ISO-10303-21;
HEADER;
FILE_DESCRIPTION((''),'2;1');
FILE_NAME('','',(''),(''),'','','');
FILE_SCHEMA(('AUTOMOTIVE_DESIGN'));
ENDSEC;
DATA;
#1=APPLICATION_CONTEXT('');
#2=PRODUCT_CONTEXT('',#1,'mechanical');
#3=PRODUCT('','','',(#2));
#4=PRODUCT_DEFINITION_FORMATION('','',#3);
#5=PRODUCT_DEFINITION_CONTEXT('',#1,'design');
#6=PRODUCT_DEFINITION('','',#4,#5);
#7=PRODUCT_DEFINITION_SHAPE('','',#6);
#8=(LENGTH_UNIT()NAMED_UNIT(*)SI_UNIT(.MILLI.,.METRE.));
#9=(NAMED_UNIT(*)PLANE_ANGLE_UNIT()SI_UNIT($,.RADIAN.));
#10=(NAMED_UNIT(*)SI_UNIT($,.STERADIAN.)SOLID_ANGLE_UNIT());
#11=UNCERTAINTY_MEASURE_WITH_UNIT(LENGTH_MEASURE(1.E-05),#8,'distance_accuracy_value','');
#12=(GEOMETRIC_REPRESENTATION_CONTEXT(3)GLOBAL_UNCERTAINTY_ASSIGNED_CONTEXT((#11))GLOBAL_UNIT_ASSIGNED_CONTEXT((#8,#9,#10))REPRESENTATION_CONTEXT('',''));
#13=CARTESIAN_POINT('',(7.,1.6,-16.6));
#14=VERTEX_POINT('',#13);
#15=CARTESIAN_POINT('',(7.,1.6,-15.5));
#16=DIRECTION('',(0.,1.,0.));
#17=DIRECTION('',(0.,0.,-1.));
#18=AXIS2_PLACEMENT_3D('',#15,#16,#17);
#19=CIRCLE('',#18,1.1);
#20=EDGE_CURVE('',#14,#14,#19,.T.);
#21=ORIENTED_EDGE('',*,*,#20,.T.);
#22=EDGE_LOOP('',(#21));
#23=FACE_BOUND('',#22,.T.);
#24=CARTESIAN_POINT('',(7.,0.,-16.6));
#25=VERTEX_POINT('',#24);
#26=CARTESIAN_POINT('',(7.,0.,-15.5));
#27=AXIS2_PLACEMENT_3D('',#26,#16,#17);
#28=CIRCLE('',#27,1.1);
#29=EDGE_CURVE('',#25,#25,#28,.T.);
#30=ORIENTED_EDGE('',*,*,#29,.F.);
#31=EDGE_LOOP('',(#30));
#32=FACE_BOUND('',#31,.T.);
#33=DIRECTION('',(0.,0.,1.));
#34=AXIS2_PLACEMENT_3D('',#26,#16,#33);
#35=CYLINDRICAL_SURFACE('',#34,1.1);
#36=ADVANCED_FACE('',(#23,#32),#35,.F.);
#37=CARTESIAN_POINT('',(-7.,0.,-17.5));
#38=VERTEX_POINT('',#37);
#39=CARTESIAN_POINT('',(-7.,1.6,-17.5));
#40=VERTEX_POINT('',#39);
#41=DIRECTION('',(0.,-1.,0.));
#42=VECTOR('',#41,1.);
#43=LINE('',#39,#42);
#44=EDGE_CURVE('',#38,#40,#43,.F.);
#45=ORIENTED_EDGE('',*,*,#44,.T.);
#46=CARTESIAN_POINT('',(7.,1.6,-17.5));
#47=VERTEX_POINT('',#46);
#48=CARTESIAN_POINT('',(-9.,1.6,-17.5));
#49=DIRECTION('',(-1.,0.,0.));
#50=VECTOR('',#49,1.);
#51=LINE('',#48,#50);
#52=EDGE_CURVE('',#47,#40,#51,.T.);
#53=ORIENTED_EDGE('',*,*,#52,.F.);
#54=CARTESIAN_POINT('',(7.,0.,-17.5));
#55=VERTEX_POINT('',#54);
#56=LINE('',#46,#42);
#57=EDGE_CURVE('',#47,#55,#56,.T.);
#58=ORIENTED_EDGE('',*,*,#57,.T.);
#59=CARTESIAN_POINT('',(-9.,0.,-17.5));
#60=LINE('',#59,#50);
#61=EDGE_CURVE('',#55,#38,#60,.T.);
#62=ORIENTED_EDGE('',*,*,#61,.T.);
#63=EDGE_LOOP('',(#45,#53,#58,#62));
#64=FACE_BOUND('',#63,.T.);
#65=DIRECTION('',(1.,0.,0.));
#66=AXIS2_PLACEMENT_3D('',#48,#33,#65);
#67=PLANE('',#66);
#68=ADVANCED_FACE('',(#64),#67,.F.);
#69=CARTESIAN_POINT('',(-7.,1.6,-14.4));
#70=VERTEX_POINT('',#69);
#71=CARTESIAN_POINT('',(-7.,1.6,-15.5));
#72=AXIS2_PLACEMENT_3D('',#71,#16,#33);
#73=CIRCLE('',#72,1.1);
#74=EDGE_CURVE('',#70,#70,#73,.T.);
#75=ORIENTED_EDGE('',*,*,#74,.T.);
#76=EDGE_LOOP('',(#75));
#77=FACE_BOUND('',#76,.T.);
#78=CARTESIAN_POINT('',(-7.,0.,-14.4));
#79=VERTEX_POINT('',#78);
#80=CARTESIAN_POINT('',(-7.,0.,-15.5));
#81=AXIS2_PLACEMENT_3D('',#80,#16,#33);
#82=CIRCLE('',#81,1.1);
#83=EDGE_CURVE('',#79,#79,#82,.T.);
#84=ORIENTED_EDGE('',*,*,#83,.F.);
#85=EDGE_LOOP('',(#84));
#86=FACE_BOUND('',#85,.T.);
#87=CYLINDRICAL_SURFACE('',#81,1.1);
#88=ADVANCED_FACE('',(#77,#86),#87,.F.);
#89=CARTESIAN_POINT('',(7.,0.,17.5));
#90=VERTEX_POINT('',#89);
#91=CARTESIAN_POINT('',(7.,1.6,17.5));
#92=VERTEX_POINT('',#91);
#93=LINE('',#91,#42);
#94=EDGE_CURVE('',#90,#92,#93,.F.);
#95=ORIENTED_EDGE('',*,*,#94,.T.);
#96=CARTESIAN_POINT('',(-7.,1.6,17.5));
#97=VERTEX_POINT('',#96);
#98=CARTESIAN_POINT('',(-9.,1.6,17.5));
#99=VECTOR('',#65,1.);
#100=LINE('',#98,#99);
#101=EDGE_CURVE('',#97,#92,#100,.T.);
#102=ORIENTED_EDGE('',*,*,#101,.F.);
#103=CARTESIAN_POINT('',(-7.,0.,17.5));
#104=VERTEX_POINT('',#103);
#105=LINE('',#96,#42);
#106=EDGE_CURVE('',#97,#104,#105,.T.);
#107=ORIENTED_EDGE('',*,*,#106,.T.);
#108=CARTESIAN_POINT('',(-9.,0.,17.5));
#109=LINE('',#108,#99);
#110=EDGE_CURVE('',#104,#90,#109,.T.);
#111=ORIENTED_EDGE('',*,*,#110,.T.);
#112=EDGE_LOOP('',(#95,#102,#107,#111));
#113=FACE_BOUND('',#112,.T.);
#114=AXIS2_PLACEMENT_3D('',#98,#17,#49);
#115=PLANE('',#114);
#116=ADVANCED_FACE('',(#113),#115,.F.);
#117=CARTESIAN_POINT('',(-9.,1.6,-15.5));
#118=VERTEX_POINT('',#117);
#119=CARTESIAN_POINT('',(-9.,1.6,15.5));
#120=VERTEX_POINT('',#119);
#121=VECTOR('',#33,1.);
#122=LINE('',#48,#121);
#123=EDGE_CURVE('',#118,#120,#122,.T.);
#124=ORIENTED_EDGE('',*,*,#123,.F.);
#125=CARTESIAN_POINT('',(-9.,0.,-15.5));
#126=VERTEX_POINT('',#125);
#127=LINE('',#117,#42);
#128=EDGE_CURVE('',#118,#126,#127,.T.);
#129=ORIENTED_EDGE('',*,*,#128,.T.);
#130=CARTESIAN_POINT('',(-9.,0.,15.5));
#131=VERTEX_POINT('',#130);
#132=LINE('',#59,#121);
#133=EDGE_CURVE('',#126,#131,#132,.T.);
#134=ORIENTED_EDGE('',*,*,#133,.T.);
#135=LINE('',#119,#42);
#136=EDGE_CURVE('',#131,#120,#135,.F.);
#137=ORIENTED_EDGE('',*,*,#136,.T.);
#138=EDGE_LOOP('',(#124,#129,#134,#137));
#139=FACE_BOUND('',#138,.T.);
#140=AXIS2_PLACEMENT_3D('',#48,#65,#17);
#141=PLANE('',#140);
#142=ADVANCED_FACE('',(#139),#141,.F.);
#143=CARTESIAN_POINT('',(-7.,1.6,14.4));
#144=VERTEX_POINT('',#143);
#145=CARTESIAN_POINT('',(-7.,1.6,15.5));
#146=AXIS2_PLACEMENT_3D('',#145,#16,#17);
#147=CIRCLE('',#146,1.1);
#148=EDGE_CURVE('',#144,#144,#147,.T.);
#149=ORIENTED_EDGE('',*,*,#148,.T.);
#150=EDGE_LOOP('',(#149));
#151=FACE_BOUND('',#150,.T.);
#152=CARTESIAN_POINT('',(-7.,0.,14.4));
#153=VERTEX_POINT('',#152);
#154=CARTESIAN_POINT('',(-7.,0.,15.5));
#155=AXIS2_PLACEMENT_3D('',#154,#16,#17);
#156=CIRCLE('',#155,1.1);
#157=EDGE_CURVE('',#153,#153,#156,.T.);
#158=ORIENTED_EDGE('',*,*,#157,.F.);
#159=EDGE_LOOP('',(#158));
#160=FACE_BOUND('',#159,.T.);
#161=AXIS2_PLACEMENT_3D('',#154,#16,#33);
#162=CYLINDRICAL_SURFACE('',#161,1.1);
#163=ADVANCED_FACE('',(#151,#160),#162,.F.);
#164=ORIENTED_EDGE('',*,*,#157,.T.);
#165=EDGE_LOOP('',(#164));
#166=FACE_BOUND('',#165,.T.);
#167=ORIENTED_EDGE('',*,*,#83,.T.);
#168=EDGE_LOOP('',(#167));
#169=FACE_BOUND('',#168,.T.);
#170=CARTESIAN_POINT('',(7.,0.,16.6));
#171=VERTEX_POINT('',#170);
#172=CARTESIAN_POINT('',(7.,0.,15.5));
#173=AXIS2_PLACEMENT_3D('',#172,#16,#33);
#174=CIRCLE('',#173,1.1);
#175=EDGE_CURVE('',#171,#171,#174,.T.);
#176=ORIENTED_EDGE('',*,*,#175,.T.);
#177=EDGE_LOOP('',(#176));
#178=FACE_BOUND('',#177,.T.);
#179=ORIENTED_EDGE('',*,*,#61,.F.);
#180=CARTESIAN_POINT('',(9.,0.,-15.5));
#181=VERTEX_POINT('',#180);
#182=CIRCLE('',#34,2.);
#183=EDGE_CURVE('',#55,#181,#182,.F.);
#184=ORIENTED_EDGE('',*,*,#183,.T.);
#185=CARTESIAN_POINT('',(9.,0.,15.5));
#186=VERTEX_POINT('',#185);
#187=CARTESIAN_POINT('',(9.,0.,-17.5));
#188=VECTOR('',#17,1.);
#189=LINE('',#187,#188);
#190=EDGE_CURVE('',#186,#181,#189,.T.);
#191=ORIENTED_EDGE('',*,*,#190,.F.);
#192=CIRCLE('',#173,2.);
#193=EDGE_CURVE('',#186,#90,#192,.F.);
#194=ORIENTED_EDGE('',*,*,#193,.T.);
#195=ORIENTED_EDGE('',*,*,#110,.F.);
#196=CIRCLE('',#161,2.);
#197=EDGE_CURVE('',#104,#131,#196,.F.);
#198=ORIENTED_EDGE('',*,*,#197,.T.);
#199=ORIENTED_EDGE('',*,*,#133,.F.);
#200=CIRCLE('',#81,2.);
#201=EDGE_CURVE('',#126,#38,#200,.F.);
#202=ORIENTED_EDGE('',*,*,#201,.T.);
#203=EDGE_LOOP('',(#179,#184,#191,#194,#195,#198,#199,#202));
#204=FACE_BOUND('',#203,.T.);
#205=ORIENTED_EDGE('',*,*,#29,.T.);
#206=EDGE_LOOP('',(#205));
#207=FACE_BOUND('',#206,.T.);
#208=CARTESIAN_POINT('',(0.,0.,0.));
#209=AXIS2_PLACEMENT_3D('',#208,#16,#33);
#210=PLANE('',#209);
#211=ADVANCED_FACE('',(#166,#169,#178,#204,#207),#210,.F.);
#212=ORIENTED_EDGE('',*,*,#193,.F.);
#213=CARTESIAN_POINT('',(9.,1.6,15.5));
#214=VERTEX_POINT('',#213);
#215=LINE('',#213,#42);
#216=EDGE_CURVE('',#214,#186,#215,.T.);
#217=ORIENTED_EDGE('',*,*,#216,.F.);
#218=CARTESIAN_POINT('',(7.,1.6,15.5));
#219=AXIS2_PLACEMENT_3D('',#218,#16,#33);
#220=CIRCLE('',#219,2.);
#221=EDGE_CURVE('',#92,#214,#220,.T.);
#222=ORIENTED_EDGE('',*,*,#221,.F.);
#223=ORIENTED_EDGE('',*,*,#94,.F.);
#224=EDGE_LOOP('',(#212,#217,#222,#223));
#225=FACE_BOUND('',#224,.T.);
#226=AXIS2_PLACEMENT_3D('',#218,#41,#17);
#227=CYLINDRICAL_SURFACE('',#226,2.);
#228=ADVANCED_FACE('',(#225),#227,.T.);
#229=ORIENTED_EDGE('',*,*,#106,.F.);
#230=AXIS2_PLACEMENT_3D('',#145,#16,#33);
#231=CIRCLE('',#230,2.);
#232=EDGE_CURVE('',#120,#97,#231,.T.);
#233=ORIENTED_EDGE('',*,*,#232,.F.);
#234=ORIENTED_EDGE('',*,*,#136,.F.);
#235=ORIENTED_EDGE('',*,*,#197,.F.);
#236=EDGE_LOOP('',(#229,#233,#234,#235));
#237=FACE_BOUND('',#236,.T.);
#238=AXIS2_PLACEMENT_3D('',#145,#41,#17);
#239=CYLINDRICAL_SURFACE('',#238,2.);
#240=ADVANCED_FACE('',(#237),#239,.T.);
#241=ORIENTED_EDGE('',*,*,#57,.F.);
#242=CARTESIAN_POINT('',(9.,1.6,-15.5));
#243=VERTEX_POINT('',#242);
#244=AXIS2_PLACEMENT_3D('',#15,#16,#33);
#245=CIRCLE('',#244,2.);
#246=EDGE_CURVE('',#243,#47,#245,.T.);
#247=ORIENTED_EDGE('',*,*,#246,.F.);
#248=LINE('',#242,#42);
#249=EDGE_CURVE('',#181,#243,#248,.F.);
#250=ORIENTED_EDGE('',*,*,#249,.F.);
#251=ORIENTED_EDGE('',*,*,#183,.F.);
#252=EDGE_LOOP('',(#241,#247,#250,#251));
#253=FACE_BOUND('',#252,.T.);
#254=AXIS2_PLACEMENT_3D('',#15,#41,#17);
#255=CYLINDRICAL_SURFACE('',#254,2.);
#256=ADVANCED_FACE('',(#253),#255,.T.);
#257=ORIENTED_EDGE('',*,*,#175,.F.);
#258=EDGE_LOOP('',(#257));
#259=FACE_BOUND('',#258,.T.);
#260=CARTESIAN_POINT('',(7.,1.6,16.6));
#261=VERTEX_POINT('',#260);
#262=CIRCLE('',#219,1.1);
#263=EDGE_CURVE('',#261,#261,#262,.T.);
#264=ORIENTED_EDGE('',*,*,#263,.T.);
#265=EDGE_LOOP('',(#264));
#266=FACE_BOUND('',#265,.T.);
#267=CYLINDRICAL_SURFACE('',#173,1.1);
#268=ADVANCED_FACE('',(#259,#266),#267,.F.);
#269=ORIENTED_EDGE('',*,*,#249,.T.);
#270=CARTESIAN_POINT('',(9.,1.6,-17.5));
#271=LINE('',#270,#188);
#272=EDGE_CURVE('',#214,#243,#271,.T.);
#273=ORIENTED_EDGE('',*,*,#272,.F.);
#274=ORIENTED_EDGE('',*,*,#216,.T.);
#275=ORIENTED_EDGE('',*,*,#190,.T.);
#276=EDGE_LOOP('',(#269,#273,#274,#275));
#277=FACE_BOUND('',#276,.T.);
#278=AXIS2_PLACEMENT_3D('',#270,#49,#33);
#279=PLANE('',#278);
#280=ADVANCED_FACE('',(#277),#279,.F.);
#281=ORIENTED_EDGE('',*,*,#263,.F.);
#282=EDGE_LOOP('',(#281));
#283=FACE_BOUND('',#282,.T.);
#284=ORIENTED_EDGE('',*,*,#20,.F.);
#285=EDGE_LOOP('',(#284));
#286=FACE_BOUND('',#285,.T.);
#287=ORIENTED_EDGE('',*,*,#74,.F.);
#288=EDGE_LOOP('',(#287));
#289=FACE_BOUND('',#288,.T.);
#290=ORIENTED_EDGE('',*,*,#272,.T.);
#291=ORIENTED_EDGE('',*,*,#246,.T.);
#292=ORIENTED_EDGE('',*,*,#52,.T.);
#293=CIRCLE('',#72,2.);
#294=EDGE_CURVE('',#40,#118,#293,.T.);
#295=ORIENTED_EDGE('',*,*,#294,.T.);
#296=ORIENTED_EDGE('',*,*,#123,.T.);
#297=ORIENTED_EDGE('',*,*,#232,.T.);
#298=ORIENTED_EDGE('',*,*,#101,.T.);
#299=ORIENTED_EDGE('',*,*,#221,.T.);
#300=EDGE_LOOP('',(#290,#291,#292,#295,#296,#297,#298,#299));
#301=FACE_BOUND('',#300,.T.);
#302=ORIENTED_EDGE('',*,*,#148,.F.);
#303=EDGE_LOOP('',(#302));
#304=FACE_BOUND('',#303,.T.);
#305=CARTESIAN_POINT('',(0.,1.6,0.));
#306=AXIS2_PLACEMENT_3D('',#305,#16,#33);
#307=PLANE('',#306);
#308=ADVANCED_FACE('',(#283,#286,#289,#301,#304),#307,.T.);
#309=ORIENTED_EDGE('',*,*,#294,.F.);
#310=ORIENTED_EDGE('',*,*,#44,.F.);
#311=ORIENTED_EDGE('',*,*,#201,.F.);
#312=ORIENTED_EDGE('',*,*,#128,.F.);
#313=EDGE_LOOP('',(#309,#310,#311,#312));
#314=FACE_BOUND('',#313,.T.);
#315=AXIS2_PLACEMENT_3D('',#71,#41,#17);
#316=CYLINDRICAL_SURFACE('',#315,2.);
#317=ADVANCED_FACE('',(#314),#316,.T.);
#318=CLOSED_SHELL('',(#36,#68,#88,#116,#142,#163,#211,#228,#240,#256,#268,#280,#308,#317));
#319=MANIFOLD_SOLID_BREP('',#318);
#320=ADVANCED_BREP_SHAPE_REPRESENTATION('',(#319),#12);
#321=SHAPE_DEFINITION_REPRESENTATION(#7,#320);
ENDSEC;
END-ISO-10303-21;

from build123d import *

# Parameters (mm, degrees)
SKETCH_1_W          = 18
SKETCH_1_H          = 35
EXTRUDE_1_DEPTH     = 1.6
SKETCH_2_R          = 1.1
CUT_EXTRUDE_1_DEPTH = 20.74360656
FILLET_2_R          = 2


with BuildPart() as part:
    # 草图1 → 凸台-拉伸1 (new body)
    with BuildSketch(Plane(origin=(0, 0, 0), x_dir=(1, 0, 0), z_dir=(0, 1, 0))):
        Rectangle(SKETCH_1_W, SKETCH_1_H)
    extrude(amount=EXTRUDE_1_DEPTH)

    # 草图2 → 切除-拉伸1 (cut, through all)
    with BuildSketch(Plane(origin=(0, 1.6, 0), x_dir=(1, 0, 0), z_dir=(0, 1, 0))):
        with Locations(Location((-7, 15.5, 0), (0, 0, 270))):
            Circle(SKETCH_2_R)
        with Locations(Location((7, 15.5, 0), (0, 0, 90))):
            Circle(SKETCH_2_R)
        with Locations(Location((7, -15.5, 0), (0, 0, 270))):
            Circle(SKETCH_2_R)
        with Locations(Location((-7, -15.5, 0), (0, 0, 90))):
            Circle(SKETCH_2_R)
    extrude(amount=-CUT_EXTRUDE_1_DEPTH, mode=Mode.SUBTRACT)

    # 圆角2
    fillet_2_edges = [part.edges().sort_by_distance(p)[0] for p in [
        (9, 0.8, 17.5),
        (-9, 0.8, 17.5),
        (-9, 0.8, -17.5),
        (9, 0.8, -17.5),
    ]]
    fillet(fillet_2_edges, radius=FILLET_2_R)


solid = part.part
